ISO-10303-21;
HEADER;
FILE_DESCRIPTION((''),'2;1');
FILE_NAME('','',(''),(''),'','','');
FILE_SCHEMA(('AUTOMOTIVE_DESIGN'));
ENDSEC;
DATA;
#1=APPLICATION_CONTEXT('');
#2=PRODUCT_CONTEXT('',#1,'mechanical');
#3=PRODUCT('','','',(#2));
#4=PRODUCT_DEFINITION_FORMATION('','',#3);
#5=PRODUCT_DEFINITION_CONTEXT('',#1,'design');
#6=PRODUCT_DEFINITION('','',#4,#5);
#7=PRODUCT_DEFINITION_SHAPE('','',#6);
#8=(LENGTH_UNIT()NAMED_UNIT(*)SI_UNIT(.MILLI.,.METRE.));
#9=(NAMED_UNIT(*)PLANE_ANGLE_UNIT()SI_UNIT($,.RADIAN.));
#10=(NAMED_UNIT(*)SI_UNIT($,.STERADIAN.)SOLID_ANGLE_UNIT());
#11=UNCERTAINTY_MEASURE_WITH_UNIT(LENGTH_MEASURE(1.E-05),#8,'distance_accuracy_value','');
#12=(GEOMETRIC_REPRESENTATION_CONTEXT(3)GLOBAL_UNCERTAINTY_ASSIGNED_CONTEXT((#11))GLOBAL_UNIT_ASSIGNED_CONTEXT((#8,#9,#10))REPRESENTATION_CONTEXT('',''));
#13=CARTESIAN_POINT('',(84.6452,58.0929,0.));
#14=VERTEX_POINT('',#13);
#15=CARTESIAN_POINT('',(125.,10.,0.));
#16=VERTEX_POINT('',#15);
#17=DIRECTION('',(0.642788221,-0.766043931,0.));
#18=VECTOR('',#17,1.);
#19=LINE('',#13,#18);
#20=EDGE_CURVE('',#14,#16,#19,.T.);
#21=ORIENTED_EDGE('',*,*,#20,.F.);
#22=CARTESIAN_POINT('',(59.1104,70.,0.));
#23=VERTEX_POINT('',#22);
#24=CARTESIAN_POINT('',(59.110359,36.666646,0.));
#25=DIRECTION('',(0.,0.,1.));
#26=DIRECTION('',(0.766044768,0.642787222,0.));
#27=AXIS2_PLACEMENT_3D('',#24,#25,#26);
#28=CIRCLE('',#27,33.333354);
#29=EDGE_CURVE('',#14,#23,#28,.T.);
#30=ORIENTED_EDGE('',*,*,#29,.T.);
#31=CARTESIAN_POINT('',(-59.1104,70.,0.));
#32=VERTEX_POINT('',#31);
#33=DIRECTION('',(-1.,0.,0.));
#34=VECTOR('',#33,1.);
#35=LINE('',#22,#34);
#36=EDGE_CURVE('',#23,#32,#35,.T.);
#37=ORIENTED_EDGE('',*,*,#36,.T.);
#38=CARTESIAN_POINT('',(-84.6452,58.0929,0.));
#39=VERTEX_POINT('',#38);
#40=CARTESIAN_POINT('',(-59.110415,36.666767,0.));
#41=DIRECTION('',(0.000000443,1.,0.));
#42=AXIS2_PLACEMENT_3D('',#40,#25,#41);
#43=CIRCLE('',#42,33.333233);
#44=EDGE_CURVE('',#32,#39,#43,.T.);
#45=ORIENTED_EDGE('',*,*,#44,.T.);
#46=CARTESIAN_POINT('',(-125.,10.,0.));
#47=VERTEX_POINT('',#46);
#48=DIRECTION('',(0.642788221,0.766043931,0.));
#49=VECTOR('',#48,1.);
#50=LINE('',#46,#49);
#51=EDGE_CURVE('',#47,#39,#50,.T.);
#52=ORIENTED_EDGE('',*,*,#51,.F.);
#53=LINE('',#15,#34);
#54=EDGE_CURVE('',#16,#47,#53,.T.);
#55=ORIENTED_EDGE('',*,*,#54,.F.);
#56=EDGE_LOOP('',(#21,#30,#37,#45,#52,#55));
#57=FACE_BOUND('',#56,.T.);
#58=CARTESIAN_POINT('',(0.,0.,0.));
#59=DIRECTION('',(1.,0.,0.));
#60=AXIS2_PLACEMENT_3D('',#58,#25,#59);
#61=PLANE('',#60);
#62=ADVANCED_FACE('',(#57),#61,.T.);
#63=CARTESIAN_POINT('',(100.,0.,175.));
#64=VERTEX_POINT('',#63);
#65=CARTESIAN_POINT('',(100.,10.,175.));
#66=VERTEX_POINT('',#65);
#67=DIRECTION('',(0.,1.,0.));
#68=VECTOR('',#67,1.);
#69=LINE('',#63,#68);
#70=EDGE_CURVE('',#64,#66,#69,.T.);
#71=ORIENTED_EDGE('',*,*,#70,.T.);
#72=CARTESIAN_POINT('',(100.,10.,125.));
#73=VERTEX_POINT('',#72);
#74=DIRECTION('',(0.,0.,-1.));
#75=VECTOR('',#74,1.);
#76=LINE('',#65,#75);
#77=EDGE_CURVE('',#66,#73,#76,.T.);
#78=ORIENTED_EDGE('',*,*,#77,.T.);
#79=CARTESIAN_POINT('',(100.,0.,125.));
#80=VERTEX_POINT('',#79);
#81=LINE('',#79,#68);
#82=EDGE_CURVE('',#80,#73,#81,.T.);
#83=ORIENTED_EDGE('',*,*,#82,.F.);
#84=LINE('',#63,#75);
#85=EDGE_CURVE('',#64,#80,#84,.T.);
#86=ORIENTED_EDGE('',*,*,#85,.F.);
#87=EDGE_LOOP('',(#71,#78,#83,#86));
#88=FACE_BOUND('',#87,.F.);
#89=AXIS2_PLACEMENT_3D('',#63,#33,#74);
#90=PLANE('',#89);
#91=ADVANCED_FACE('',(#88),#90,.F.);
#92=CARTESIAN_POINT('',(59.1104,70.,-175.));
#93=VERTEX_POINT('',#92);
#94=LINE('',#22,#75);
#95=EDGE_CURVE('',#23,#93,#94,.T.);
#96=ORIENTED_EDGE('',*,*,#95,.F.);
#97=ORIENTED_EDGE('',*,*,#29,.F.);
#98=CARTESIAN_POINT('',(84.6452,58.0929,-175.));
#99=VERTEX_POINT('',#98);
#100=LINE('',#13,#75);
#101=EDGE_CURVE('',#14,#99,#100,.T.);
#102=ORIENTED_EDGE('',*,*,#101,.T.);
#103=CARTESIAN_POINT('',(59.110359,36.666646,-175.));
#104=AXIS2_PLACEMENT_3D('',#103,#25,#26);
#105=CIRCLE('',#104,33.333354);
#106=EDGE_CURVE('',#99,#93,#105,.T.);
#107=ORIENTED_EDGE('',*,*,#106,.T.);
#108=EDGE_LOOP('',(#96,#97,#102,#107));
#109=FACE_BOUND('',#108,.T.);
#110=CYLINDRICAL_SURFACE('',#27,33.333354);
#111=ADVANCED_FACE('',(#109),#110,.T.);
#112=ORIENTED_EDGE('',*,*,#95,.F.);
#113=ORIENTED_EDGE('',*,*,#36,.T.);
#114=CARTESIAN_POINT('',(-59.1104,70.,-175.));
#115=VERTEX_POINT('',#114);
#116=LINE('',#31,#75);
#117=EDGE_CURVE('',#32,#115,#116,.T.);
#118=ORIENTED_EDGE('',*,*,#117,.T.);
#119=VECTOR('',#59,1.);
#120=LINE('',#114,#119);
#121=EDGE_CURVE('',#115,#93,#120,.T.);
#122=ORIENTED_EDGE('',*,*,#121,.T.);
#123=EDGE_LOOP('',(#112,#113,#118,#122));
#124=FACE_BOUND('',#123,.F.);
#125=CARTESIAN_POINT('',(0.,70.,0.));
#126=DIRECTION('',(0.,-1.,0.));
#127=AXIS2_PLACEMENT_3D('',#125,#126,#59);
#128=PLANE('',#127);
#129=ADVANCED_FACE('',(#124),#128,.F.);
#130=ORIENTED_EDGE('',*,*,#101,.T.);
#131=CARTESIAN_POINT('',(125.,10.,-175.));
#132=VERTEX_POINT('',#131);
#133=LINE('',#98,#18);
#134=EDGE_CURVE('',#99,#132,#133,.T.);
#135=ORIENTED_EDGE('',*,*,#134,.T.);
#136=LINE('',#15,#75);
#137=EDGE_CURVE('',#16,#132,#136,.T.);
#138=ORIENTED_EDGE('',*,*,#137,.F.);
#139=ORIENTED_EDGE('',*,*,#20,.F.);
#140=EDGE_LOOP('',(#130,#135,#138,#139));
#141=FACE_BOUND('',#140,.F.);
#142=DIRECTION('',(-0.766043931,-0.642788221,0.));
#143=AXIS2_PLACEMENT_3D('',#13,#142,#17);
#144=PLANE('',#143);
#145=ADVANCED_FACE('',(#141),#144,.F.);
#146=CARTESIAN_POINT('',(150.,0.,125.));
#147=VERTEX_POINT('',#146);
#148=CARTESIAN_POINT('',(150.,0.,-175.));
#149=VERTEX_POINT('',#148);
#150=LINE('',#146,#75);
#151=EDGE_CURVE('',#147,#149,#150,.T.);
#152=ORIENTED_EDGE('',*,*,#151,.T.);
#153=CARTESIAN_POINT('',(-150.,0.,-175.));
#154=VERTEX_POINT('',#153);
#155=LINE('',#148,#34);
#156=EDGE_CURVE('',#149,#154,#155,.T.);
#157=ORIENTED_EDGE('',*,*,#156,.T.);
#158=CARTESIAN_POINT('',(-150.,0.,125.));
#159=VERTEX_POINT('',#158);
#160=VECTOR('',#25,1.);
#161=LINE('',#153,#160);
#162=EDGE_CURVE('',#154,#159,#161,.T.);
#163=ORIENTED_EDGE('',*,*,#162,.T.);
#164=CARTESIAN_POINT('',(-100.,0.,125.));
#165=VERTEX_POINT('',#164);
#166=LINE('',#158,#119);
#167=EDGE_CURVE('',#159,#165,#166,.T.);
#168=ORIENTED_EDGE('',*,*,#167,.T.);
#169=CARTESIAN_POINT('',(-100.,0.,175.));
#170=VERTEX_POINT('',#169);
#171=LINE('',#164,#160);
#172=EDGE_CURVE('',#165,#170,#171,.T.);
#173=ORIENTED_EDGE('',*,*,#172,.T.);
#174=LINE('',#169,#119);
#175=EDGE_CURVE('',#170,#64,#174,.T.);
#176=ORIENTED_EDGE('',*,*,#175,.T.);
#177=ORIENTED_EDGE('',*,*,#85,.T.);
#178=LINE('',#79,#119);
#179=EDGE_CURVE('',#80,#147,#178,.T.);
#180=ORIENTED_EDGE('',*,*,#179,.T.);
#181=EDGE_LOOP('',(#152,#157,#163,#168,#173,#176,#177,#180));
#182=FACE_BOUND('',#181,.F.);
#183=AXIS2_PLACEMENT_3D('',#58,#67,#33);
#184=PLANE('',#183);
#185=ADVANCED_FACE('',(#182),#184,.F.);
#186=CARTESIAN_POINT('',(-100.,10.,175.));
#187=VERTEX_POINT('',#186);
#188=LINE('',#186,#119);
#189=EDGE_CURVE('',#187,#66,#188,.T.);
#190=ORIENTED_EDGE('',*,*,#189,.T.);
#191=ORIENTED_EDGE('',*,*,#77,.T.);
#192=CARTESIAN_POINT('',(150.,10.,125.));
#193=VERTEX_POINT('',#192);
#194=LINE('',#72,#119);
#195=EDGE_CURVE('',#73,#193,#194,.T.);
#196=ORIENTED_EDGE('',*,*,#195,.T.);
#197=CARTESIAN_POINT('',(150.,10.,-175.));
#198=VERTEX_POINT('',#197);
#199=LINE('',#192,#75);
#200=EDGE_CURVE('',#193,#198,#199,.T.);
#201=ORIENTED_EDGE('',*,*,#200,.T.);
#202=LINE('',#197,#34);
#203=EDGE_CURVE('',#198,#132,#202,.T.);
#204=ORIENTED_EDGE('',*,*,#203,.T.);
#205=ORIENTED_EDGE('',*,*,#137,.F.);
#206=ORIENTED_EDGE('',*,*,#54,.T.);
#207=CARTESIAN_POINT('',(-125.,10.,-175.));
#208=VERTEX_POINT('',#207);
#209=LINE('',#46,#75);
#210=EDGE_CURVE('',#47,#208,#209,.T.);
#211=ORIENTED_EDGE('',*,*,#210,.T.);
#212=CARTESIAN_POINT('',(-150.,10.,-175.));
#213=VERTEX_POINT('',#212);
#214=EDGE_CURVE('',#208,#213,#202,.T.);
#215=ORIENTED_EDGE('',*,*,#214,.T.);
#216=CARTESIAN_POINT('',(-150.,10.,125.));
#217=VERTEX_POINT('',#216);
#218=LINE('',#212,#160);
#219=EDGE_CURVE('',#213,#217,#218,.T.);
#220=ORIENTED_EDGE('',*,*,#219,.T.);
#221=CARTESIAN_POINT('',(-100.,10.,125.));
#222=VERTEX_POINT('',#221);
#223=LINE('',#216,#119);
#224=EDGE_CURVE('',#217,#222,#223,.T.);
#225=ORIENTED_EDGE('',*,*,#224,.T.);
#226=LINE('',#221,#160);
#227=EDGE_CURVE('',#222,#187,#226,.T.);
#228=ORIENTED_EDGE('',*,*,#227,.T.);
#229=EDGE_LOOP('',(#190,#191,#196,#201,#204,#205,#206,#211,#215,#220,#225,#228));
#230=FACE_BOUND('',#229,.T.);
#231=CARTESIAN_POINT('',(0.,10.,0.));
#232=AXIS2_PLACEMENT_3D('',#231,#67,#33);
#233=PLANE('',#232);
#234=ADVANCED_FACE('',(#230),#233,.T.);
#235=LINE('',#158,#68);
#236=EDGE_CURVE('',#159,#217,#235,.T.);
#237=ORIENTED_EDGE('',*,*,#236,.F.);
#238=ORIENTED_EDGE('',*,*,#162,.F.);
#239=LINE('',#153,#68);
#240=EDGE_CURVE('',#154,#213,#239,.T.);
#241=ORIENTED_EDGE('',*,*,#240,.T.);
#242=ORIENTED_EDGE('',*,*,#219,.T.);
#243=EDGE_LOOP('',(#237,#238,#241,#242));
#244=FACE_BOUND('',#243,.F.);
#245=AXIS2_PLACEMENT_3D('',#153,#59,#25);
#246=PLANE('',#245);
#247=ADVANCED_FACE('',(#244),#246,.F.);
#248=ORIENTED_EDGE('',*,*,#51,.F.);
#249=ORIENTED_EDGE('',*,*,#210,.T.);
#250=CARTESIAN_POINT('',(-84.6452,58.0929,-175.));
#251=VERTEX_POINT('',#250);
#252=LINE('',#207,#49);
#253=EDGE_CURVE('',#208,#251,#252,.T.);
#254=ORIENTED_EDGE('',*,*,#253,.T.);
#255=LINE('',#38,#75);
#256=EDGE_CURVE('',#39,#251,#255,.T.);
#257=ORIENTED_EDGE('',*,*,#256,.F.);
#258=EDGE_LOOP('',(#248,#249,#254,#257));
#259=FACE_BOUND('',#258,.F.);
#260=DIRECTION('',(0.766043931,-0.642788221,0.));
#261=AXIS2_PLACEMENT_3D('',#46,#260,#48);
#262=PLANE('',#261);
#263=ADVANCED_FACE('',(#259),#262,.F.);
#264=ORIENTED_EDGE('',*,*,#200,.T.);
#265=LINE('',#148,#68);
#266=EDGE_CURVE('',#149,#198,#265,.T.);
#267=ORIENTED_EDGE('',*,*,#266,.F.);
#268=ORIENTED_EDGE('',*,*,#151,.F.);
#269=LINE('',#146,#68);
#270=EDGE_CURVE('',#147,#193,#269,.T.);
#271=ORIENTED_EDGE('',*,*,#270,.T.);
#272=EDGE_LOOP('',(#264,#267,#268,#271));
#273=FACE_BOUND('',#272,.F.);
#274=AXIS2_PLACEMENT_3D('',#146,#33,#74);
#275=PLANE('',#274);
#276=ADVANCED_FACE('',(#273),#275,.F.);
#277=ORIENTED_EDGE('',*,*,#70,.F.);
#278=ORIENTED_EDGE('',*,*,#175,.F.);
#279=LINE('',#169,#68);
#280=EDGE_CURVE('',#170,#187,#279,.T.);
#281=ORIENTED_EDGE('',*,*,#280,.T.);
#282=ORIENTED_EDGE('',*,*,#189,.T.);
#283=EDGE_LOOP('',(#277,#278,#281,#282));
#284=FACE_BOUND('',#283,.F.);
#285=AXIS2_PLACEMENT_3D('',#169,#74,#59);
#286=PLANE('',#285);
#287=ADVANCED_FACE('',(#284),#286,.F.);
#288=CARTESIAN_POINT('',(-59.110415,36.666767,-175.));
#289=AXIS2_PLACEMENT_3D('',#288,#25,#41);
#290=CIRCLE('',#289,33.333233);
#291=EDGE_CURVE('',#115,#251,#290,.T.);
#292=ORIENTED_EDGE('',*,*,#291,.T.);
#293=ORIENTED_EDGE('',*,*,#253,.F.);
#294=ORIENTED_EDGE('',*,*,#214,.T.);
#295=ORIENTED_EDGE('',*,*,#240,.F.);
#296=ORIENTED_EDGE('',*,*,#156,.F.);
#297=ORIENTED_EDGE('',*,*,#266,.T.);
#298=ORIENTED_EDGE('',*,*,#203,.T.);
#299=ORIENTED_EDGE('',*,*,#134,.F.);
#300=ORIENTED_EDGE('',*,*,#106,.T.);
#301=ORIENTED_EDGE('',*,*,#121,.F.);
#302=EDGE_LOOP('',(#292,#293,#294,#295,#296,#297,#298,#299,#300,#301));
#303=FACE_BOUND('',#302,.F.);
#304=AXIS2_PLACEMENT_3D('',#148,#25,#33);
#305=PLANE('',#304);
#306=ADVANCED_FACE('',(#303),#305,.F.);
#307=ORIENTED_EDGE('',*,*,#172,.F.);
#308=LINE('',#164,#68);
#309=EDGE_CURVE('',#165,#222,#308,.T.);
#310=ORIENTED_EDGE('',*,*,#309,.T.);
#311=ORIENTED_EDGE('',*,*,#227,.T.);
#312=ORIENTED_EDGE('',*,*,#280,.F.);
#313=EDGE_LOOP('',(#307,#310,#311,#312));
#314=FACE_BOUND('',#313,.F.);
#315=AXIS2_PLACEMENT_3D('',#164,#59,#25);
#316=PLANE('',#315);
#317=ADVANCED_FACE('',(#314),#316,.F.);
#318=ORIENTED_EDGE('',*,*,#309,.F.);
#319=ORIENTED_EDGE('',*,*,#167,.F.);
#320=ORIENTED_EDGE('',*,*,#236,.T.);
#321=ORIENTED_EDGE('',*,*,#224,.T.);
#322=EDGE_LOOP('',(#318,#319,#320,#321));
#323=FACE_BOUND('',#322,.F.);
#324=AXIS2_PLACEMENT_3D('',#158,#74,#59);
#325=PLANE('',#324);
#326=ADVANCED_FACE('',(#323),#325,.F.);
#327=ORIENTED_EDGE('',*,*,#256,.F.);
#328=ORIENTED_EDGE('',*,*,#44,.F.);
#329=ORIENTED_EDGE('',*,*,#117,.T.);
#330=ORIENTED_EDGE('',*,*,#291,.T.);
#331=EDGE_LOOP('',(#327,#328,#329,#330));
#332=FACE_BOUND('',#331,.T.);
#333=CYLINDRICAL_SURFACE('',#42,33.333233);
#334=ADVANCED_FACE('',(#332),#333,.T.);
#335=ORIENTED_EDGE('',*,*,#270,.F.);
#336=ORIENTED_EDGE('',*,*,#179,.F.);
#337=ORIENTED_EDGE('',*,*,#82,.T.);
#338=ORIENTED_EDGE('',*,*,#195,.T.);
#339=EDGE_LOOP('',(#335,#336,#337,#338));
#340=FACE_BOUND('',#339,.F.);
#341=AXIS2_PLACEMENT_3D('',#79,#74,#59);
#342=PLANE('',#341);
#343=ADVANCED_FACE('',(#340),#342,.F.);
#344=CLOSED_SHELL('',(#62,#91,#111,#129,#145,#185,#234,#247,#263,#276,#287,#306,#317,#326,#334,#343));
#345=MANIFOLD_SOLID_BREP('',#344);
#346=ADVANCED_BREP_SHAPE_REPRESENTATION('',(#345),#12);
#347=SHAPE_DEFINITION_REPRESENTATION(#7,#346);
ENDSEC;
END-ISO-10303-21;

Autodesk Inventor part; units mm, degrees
ref_plane "YZ Plane" through (0, 0, 0) normal (1, 0, 0) x (0, 1, 0)
ref_plane "XZ Plane" through (0, 0, 0) normal (0, 1, 0) x (-1, 0, 0)
ref_plane "XY Plane" through (0, 0, 0) normal (0, 0, 1) x (1, 0, 0)
sketch "스케치1" plane through (0, 0, 0) normal (0, 1, 0) x (-1, 0, 0)
  line L0 (-150, 125) -> (-150, -175)
  line L1 (-150, -175) -> (150, -175)
  line L2 (150, -175) -> (150, 125)
  line L3 (150, 125) -> (100, 125)
  line L4 (100, 125) -> (100, 175)
  line L5 (100, 175) -> (-100, 175)
  line L6 (-100, 175) -> (-100, 125)
  line L7 (-100, 125) -> (-150, 125)
  point P0 (0, 0)
  dimension "d3" = 300
  dimension "d4" = 150
  dimension "d8" = 350
  dimension "d10" = 175
  dimension "d11" = 50
extrude "돌출1" add sketch "스케치1" along normal blind 10
sketch "스케치3" plane through (0, 0, 0) normal (0, 0, 1) x (1, 0, 0)
  line L0 (150, 10) -> (-150, 10) projected
  line L1 (-125, 10) -> (-84.6452, 58.0929)
  line L2 (-59.1104, 70) -> (59.1104, 70)
  line L3 (100, 0) -> (100, 10) projected
  line L4 (84.6452, 58.0929) -> (125, 10)
  line L5 (0, 0) -> (0, 70)
  arc A0 (-59.1104, 70) -> (-84.6452, 58.0929) centre (-59.1104, 36.6667) ccw
  arc A1 (84.6452, 58.0929) -> (59.1104, 70) centre (59.1104, 36.6667) ccw
  line L6 (125, 10) -> (-125, 10)
  point P0 (-74.654, 70)
  point P1 (74.654, 70)
  point P2 (125, 10)
  dimension "d15" = 130
  dimension "d17" = 33.3333
  dimension "d18" = 33.3333
  dimension "d19" = 300
  dimension "d22" = 250
  dimension "d24" = 60
  dimension "d25" = 0
sketch "스케치4" plane through (0, 0, 0) normal (1, 0, 0) x (0, 1, 0)
  line L0 (70, -175) -> (70, 59.1104)
  line L1 (58.0929, 84.6452) -> (10, 125)
  line L2 (10, 175) -> (10, 125) projected
  line L3 (10, -175) -> (10, 125) projected
  line L4 (70, -175) -> (10, -175)
  arc A0 (70, 59.1104) -> (58.0929, 84.6452) centre (36.6667, 59.1104) ccw
  point P0 (0, 0)
  dimension "d27" = 130
  dimension "d28" = 33.3333
  dimension "d29" = 60
extrude "돌출3" add sketch "스케치3" against normal up to surface (175 mm away)
sketch "스케치5" plane through (0, 10, 0) normal (0, 1, 0) x (1, 0, 0)
  line L0 (125, 175) -> (125, 0) projected
  line L1 (125, 0) -> (-125, 0) projected
  line L2 (-125, 0) -> (-125, 175) projected
  line L3 (-125, 175) -> (-150, 175) projected
  line L4 (-150, 175) -> (-150, -125) projected
  line L5 (-150, -125) -> (-100, -125) projected
  line L6 (-100, -125) -> (-100, -175) projected
  line L7 (-100, -175) -> (100, -175) projected
  line L8 (100, -175) -> (100, -125) projected
  line L9 (100, -125) -> (150, -125) projected
  line L10 (150, -125) -> (150, 175) projected
  line L11 (150, 175) -> (125, 175) projected
  line L12 (66, -151) -> (-66, -151)
  line L13 (-76, -141) -> (-76, -111)
  line L14 (-86, -101) -> (-116, -101)
  line L15 (-126, -91) -> (-126, -24)
  line L16 (-126, -24) -> (126, -24)
  line L17 (126, -24) -> (126, -91)
  line L18 (116, -101) -> (86, -101)
  line L19 (76, -111) -> (76, -141)
  arc A0 (86, -101) -> (76, -111) centre (86, -111) ccw
  arc A1 (-76, -111) -> (-86, -101) centre (-86, -111) ccw
  arc A2 (116, -101) -> (126, -91) centre (116, -91) ccw
  arc A3 (-126, -91) -> (-116, -101) centre (-116, -91) ccw
  arc A4 (-76, -141) -> (-66, -151) centre (-66, -141) ccw
  arc A5 (66, -151) -> (76, -141) centre (66, -141) ccw
  point P0 (0, 0)
  dimension "d34" = 24
  dimension "d35" = 10
  dimension "d36" = 10
equation "\"d4\" = 0.5 * d3"
equation "\"d10\" = 0.5 * d8"
equation "\"d17\" = 0.5 * d14"
equation "\"d18\" = d17"
equation "\"d22\" = 0.833333 * d19"
equation "\"d24\" = 0.2 * d19"
equation "\"d27\" = d15"
equation "\"d28\" = d17"
equation "\"d29\" = d24"
equation "\"d36\" = d35"
equation "\"d14\" = 0.333333 * d16"
equation "\"d16\" = 200"
properties part number "cap2"
